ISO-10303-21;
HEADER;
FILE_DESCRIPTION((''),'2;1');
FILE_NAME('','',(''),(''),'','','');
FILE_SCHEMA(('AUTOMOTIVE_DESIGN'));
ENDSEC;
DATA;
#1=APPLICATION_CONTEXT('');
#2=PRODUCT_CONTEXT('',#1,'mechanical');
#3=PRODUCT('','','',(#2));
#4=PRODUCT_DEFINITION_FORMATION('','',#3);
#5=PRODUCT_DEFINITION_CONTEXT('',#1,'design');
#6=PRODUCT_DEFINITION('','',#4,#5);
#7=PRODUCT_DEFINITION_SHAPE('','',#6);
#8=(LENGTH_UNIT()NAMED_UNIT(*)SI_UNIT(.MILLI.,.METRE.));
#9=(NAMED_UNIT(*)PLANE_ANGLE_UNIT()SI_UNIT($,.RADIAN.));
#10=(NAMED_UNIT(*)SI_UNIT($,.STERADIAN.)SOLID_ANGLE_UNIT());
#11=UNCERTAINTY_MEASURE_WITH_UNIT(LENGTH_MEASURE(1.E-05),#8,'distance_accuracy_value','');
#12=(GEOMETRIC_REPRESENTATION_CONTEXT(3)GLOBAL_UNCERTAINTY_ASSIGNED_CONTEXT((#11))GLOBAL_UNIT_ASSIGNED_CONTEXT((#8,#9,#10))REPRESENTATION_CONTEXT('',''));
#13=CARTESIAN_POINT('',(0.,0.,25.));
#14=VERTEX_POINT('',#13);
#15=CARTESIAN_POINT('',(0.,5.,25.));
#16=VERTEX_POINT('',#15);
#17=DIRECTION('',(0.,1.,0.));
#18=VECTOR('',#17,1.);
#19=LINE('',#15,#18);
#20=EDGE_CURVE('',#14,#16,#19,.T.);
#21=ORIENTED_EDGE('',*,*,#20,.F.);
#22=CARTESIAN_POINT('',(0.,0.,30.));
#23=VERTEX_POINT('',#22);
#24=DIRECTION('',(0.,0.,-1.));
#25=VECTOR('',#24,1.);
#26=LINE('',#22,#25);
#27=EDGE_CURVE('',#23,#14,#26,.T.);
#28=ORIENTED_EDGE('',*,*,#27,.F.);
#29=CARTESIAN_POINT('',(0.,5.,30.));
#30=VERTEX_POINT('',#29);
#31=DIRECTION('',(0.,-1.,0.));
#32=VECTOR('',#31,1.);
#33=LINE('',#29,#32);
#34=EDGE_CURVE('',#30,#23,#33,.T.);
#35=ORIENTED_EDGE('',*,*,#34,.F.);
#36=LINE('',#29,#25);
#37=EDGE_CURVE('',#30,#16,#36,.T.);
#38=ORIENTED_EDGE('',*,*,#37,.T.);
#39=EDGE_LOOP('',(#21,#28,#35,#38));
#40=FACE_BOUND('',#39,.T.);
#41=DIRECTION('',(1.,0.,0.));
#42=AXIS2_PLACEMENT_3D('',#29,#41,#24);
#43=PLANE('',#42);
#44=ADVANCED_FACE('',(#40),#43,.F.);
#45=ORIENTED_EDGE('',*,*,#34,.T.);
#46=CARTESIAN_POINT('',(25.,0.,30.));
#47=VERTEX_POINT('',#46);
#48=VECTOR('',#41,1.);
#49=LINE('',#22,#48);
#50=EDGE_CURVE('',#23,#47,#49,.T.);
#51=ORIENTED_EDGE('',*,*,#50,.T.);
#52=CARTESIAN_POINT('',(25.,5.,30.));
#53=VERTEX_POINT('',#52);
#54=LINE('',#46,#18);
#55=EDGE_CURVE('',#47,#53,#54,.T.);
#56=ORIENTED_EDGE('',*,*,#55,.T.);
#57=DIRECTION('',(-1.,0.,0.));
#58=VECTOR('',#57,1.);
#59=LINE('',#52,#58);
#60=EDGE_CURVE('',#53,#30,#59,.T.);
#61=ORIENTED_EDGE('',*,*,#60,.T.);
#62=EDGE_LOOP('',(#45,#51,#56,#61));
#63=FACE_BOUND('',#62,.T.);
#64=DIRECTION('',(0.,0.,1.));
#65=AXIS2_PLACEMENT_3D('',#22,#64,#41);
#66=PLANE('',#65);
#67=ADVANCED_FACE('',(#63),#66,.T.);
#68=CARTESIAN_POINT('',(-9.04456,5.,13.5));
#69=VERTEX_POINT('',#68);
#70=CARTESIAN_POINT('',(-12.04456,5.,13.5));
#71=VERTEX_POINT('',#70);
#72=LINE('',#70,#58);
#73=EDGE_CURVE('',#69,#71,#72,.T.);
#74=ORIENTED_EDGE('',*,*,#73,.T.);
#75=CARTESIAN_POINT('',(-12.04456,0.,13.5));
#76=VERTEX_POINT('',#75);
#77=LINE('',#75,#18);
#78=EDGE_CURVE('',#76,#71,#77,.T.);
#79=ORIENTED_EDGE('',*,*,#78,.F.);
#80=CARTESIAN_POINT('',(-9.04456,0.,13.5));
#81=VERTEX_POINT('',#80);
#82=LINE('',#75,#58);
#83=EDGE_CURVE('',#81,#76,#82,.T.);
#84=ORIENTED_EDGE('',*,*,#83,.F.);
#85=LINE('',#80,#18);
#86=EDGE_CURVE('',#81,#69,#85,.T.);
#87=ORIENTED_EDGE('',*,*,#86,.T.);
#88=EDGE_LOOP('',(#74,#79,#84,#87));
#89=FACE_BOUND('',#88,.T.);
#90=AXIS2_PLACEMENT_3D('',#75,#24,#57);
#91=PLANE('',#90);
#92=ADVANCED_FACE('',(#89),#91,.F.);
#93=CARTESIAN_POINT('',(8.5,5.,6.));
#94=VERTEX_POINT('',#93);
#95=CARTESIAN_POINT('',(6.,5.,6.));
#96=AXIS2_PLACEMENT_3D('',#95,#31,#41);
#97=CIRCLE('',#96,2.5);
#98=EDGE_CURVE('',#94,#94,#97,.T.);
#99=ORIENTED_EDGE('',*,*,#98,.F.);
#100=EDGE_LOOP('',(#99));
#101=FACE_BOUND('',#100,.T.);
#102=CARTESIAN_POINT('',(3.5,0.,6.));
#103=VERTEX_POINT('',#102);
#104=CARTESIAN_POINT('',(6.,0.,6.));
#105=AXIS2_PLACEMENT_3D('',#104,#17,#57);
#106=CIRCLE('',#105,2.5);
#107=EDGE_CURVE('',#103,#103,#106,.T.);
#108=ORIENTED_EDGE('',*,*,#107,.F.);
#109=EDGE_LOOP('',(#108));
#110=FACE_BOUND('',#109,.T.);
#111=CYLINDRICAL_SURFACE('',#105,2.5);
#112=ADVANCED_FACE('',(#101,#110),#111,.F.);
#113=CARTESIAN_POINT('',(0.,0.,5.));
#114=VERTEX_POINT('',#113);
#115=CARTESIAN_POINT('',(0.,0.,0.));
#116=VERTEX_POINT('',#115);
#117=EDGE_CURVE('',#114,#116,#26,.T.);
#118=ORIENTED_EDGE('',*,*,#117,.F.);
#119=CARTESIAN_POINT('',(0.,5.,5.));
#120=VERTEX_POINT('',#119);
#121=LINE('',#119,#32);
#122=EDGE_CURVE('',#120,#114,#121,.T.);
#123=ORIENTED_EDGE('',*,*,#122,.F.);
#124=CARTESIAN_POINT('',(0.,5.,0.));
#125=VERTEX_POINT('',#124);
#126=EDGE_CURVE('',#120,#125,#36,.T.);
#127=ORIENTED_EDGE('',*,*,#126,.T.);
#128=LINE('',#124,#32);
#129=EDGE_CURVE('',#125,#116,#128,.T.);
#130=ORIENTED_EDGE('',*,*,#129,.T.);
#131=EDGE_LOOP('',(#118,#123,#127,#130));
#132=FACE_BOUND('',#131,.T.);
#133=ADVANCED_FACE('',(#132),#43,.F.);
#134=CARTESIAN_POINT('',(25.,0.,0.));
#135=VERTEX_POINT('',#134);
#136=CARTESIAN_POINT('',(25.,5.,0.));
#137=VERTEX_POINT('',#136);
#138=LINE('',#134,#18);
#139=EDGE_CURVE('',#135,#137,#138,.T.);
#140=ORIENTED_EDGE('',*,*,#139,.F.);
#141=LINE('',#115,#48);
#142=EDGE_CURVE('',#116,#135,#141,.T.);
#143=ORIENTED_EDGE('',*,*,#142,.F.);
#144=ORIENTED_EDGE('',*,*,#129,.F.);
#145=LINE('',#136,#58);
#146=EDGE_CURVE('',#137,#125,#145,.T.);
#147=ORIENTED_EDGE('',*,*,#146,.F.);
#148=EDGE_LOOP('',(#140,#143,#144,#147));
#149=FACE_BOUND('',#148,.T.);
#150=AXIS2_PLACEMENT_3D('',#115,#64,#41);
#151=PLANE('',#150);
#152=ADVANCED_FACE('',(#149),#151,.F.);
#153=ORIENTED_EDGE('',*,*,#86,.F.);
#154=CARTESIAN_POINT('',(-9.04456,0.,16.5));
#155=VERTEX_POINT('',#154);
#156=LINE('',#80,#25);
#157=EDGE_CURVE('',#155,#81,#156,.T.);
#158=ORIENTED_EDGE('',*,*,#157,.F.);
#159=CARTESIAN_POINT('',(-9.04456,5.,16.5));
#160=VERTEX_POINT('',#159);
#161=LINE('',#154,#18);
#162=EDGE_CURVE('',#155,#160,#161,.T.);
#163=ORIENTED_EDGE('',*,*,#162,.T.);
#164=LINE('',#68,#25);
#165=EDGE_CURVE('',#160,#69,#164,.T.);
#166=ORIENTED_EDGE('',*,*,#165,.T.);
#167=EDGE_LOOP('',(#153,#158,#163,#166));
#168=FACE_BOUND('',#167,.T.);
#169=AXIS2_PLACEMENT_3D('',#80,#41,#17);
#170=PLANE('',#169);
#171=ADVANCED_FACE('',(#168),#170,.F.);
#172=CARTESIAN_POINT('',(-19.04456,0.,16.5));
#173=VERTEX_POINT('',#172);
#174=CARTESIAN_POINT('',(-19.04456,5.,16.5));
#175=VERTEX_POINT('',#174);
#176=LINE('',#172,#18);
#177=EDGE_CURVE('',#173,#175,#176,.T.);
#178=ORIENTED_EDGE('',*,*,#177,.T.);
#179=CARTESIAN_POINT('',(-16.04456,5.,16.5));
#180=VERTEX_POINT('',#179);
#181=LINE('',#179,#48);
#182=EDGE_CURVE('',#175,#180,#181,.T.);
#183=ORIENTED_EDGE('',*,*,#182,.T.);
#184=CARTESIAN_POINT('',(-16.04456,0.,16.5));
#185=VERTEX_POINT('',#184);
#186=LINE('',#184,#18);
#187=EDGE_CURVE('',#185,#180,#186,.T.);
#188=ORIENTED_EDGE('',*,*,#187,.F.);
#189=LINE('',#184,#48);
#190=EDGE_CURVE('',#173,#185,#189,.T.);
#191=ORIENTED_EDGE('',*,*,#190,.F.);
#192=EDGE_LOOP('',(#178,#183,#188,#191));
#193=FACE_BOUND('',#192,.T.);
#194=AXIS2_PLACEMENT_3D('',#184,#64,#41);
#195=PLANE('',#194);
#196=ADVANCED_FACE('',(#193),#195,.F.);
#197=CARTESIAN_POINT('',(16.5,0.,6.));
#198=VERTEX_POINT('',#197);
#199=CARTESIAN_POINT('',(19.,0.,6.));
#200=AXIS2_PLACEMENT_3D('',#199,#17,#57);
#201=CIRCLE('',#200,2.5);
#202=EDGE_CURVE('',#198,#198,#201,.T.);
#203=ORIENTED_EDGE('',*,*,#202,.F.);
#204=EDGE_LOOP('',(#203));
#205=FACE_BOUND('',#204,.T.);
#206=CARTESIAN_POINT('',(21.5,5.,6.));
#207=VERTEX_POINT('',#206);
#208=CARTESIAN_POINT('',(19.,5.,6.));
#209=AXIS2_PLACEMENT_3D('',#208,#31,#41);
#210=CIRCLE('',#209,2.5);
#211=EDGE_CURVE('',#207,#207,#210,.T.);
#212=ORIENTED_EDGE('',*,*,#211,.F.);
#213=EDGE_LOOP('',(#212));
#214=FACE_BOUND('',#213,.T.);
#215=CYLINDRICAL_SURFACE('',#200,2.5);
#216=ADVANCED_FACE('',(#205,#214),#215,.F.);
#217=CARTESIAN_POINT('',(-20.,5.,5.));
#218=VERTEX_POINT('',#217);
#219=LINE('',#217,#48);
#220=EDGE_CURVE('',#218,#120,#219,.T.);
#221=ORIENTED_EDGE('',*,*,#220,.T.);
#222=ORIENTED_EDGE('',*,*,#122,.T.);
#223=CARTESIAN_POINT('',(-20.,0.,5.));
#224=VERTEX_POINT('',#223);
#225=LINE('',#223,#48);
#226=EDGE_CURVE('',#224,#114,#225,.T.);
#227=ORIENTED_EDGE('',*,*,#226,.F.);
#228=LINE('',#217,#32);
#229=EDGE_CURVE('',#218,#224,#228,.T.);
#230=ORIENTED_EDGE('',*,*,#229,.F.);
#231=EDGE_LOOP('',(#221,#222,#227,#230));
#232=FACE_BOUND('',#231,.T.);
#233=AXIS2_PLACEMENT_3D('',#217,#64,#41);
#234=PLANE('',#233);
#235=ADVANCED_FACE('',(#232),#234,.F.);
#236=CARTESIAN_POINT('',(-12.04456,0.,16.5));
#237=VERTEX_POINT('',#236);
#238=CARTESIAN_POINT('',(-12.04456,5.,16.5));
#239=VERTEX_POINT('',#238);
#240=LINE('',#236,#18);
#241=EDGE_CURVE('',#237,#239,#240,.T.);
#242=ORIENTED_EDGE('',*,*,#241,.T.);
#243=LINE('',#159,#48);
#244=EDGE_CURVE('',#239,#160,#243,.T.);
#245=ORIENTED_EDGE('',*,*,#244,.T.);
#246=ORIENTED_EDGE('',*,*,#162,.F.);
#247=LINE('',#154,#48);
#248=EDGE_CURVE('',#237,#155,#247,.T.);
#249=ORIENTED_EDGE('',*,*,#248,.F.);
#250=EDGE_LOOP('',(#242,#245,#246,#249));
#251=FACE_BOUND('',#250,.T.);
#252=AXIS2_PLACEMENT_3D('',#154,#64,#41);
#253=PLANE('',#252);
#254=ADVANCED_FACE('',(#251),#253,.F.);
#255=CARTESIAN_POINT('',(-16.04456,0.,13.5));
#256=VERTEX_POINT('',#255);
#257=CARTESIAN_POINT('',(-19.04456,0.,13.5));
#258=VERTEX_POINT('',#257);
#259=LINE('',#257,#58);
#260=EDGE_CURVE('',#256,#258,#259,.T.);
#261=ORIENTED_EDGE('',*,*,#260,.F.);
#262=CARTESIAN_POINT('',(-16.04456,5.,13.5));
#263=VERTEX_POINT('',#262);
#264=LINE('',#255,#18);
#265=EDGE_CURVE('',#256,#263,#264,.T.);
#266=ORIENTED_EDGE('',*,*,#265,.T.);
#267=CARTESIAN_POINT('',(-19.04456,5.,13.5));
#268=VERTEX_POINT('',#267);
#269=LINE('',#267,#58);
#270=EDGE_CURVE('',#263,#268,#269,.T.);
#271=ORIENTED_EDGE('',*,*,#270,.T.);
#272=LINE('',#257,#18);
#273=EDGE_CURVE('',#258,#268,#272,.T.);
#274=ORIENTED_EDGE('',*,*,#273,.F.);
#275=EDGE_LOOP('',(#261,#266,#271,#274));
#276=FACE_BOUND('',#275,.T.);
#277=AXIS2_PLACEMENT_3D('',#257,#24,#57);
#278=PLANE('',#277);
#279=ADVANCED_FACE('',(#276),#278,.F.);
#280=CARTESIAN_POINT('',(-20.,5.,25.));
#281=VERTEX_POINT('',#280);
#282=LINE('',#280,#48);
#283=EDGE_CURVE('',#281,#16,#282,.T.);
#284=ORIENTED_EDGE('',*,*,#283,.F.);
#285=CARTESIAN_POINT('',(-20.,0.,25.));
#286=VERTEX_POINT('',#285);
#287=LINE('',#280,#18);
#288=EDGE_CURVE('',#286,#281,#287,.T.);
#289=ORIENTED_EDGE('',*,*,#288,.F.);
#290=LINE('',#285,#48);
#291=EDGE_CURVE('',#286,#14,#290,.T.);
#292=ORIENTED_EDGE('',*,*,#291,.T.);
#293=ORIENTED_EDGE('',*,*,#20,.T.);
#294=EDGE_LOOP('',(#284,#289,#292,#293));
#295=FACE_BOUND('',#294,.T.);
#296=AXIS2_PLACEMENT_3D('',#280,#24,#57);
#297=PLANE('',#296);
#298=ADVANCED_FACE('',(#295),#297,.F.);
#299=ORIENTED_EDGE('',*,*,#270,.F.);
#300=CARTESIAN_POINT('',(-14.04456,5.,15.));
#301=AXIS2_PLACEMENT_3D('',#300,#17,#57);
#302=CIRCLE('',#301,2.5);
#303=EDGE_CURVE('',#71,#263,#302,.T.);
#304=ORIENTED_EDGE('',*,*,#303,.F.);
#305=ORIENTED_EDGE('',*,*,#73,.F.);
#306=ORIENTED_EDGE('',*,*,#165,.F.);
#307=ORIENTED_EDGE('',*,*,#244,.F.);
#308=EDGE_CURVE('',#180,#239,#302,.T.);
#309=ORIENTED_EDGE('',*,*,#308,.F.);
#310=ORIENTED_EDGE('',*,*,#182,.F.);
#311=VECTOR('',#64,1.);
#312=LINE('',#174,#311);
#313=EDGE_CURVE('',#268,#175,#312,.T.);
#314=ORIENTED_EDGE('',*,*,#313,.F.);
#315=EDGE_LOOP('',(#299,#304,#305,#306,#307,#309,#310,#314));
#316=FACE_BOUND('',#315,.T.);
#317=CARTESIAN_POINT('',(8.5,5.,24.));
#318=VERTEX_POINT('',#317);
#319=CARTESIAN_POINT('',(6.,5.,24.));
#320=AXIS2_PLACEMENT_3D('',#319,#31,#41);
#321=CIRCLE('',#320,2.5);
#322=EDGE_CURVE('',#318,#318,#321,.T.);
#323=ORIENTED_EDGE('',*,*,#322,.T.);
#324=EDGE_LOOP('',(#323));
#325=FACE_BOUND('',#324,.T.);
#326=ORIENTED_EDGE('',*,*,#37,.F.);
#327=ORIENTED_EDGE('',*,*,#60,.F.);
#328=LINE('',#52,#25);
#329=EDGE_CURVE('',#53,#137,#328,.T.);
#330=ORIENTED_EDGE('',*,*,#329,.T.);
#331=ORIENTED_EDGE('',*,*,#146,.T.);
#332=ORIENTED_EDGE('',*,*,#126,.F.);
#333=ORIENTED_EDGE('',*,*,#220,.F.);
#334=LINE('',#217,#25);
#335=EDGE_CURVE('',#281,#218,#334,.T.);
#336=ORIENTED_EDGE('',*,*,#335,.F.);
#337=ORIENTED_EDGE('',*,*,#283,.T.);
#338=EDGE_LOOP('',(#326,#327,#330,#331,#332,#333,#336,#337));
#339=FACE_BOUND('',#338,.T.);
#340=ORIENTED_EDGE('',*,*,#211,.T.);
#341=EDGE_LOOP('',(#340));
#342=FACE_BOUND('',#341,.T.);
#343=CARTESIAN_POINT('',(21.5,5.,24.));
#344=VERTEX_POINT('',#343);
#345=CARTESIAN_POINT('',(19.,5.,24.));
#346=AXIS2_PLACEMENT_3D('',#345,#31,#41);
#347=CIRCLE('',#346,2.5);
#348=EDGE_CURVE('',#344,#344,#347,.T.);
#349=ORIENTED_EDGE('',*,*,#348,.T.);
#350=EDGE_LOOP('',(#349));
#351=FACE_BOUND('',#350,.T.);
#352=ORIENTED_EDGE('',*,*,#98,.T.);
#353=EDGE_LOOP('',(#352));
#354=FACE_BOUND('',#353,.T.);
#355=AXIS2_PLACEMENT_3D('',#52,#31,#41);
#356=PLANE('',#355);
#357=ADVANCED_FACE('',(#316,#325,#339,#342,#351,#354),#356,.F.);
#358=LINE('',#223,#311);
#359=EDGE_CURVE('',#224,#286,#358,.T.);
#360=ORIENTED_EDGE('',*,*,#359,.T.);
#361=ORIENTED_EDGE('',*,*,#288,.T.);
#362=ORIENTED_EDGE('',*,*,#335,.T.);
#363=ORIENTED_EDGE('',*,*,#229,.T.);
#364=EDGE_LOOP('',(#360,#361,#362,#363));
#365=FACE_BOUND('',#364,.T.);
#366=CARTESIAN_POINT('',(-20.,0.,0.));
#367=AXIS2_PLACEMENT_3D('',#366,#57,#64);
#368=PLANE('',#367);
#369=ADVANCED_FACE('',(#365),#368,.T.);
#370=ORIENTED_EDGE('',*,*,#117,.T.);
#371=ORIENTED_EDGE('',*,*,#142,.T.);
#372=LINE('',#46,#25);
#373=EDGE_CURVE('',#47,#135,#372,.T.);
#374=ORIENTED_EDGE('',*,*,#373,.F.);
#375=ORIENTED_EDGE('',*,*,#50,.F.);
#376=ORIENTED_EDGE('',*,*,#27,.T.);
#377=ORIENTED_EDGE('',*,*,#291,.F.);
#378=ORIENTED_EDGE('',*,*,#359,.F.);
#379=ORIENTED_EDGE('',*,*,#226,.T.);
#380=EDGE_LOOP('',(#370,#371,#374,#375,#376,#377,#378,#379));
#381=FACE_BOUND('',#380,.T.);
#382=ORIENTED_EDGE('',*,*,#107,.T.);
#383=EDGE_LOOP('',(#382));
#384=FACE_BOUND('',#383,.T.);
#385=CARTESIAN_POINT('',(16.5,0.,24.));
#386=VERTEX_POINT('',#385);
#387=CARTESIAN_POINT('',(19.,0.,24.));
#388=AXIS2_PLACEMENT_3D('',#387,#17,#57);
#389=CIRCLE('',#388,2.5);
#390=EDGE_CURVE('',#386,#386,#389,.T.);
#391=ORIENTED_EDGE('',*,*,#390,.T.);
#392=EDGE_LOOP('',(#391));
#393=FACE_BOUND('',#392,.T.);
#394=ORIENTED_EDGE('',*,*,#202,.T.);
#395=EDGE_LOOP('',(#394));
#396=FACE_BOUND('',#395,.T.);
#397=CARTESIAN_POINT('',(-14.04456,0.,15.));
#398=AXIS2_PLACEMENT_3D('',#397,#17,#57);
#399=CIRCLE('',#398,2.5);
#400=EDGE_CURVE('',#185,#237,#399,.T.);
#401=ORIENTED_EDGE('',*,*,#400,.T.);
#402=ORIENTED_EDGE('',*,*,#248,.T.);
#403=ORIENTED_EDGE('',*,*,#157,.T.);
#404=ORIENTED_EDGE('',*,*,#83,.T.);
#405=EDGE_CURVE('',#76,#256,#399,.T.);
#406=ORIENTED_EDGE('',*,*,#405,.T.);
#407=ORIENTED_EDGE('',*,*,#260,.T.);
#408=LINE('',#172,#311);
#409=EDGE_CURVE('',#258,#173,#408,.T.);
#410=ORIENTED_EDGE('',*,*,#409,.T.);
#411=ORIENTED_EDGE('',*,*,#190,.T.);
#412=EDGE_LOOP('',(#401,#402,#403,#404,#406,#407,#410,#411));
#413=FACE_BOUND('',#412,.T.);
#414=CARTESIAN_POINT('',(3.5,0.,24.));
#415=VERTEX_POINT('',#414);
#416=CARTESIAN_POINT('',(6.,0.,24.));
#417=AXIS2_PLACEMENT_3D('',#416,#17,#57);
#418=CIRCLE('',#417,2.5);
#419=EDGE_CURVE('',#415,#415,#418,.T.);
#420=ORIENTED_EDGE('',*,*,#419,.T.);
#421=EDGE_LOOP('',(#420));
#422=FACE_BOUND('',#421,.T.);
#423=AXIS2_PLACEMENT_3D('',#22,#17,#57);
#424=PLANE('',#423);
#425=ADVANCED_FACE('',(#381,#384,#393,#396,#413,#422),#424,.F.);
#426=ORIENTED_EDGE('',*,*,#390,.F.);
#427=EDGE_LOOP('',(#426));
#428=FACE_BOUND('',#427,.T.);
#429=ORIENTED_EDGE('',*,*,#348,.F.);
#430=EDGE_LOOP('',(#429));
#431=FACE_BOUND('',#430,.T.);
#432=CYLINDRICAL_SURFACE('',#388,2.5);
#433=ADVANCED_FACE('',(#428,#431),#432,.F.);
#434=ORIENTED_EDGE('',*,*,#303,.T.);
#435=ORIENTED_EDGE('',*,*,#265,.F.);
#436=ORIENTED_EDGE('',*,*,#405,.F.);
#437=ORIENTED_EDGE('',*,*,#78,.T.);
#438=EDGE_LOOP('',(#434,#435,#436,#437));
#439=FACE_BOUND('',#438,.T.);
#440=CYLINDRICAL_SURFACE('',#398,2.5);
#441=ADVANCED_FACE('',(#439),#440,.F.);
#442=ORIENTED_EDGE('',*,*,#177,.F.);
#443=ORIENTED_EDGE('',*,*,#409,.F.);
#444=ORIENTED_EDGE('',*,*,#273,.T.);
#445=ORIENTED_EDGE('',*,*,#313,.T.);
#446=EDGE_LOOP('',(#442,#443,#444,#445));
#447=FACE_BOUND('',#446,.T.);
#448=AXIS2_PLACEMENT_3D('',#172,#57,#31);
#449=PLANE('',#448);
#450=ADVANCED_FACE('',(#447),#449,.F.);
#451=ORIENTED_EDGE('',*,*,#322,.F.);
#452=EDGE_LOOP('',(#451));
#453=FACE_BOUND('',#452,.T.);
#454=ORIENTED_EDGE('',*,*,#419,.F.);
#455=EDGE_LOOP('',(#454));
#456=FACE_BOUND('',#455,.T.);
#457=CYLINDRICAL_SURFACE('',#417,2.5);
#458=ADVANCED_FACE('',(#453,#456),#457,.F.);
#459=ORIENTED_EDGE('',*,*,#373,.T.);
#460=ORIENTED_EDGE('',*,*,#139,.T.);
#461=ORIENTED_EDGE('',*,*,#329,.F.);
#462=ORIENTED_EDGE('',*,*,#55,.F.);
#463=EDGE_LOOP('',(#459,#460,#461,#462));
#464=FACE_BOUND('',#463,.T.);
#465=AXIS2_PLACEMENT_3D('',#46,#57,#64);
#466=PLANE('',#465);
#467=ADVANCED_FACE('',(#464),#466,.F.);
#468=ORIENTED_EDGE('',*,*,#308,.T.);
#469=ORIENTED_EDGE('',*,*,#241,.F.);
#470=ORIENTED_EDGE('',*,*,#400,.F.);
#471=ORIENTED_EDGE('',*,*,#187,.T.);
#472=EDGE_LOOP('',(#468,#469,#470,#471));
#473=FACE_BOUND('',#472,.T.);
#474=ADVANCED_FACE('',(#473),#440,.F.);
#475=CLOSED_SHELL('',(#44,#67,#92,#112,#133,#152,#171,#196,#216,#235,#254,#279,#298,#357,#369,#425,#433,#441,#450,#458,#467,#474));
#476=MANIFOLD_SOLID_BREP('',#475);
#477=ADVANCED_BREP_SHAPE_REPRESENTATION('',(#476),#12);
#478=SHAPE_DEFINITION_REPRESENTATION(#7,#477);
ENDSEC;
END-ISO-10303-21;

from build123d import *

# Parameters (mm, degrees)
SKETCH1_W               = 25
SKETCH1_H               = 5
BOSS_EXTRUDE2_DEPTH     = 30
CUT_EXTRUDE1_DEPTH      = 40.37003937
CUT_EXTRUDE1_DEPTH_BACK = 40.37003937
SKETCH2_R               = 2.5
SKETCH5_W               = 20
SKETCH5_H               = 5
BOSS_EXTRUDE3_DEPTH     = 20
CUT_EXTRUDE3_DEPTH      = 40.37003937


with BuildPart() as part:
    # Sketch1 → Boss-Extrude2 (new body)
    with BuildSketch(Plane.XY):
        with Locations((12.5, 2.5)):
            Rectangle(SKETCH1_W, SKETCH1_H)
    extrude(amount=BOSS_EXTRUDE2_DEPTH)

    # Sketch2 → Cut-Extrude1 (cut, two sides: drawn at the far end of the back side and taken through both)
    with BuildSketch(Plane(origin=(0, 5, 0), x_dir=(1, 0, 0), z_dir=(0, 1, 0)).offset(-CUT_EXTRUDE1_DEPTH_BACK)):
        with Locations(Location((6, -6, 0), (0, 0, 180))):
            Circle(SKETCH2_R)
        with Locations(Location((19, -6, 0), (0, 0, 180))):
            Circle(SKETCH2_R)
        with Locations(Location((19, -24, 0), (0, 0, 180))):
            Circle(SKETCH2_R)
        with Locations(Location((6, -24, 0), (0, 0, 180))):
            Circle(SKETCH2_R)
    extrude(amount=CUT_EXTRUDE1_DEPTH + CUT_EXTRUDE1_DEPTH_BACK, mode=Mode.SUBTRACT)

    # Sketch5 → Boss-Extrude3 (add)
    with BuildSketch(Plane.ZY):
        with Locations((15, 2.5)):
            Rectangle(SKETCH5_W, SKETCH5_H)
    extrude(amount=BOSS_EXTRUDE3_DEPTH)

    # Sketch6 → Cut-Extrude3 (cut, through all)
    with BuildSketch(Plane(origin=(0, 5, 0), x_dir=(1, 0, 0), z_dir=(0, 1, 0))):
        with BuildLine():
            Line((-12.044559796, -13.5), (-9.044559796, -13.5))
            Line((-9.044559796, -13.5), (-9.044559796, -16.5))
            Line((-9.044559796, -16.5), (-12.044559796, -16.5))
            ThreePointArc((-12.044559796, -16.5), (-14.044559796, -17.5), (-16.044559796, -16.5))
            Line((-16.044559796, -16.5), (-19.044559796, -16.5))
            Line((-19.044559796, -16.5), (-19.044559796, -13.5))
            Line((-19.044559796, -13.5), (-16.044559796, -13.5))
            ThreePointArc((-16.044559796, -13.5), (-14.044559796, -12.5), (-12.044559796, -13.5))
        make_face()
    extrude(amount=-CUT_EXTRUDE3_DEPTH, mode=Mode.SUBTRACT)


solid = part.part
